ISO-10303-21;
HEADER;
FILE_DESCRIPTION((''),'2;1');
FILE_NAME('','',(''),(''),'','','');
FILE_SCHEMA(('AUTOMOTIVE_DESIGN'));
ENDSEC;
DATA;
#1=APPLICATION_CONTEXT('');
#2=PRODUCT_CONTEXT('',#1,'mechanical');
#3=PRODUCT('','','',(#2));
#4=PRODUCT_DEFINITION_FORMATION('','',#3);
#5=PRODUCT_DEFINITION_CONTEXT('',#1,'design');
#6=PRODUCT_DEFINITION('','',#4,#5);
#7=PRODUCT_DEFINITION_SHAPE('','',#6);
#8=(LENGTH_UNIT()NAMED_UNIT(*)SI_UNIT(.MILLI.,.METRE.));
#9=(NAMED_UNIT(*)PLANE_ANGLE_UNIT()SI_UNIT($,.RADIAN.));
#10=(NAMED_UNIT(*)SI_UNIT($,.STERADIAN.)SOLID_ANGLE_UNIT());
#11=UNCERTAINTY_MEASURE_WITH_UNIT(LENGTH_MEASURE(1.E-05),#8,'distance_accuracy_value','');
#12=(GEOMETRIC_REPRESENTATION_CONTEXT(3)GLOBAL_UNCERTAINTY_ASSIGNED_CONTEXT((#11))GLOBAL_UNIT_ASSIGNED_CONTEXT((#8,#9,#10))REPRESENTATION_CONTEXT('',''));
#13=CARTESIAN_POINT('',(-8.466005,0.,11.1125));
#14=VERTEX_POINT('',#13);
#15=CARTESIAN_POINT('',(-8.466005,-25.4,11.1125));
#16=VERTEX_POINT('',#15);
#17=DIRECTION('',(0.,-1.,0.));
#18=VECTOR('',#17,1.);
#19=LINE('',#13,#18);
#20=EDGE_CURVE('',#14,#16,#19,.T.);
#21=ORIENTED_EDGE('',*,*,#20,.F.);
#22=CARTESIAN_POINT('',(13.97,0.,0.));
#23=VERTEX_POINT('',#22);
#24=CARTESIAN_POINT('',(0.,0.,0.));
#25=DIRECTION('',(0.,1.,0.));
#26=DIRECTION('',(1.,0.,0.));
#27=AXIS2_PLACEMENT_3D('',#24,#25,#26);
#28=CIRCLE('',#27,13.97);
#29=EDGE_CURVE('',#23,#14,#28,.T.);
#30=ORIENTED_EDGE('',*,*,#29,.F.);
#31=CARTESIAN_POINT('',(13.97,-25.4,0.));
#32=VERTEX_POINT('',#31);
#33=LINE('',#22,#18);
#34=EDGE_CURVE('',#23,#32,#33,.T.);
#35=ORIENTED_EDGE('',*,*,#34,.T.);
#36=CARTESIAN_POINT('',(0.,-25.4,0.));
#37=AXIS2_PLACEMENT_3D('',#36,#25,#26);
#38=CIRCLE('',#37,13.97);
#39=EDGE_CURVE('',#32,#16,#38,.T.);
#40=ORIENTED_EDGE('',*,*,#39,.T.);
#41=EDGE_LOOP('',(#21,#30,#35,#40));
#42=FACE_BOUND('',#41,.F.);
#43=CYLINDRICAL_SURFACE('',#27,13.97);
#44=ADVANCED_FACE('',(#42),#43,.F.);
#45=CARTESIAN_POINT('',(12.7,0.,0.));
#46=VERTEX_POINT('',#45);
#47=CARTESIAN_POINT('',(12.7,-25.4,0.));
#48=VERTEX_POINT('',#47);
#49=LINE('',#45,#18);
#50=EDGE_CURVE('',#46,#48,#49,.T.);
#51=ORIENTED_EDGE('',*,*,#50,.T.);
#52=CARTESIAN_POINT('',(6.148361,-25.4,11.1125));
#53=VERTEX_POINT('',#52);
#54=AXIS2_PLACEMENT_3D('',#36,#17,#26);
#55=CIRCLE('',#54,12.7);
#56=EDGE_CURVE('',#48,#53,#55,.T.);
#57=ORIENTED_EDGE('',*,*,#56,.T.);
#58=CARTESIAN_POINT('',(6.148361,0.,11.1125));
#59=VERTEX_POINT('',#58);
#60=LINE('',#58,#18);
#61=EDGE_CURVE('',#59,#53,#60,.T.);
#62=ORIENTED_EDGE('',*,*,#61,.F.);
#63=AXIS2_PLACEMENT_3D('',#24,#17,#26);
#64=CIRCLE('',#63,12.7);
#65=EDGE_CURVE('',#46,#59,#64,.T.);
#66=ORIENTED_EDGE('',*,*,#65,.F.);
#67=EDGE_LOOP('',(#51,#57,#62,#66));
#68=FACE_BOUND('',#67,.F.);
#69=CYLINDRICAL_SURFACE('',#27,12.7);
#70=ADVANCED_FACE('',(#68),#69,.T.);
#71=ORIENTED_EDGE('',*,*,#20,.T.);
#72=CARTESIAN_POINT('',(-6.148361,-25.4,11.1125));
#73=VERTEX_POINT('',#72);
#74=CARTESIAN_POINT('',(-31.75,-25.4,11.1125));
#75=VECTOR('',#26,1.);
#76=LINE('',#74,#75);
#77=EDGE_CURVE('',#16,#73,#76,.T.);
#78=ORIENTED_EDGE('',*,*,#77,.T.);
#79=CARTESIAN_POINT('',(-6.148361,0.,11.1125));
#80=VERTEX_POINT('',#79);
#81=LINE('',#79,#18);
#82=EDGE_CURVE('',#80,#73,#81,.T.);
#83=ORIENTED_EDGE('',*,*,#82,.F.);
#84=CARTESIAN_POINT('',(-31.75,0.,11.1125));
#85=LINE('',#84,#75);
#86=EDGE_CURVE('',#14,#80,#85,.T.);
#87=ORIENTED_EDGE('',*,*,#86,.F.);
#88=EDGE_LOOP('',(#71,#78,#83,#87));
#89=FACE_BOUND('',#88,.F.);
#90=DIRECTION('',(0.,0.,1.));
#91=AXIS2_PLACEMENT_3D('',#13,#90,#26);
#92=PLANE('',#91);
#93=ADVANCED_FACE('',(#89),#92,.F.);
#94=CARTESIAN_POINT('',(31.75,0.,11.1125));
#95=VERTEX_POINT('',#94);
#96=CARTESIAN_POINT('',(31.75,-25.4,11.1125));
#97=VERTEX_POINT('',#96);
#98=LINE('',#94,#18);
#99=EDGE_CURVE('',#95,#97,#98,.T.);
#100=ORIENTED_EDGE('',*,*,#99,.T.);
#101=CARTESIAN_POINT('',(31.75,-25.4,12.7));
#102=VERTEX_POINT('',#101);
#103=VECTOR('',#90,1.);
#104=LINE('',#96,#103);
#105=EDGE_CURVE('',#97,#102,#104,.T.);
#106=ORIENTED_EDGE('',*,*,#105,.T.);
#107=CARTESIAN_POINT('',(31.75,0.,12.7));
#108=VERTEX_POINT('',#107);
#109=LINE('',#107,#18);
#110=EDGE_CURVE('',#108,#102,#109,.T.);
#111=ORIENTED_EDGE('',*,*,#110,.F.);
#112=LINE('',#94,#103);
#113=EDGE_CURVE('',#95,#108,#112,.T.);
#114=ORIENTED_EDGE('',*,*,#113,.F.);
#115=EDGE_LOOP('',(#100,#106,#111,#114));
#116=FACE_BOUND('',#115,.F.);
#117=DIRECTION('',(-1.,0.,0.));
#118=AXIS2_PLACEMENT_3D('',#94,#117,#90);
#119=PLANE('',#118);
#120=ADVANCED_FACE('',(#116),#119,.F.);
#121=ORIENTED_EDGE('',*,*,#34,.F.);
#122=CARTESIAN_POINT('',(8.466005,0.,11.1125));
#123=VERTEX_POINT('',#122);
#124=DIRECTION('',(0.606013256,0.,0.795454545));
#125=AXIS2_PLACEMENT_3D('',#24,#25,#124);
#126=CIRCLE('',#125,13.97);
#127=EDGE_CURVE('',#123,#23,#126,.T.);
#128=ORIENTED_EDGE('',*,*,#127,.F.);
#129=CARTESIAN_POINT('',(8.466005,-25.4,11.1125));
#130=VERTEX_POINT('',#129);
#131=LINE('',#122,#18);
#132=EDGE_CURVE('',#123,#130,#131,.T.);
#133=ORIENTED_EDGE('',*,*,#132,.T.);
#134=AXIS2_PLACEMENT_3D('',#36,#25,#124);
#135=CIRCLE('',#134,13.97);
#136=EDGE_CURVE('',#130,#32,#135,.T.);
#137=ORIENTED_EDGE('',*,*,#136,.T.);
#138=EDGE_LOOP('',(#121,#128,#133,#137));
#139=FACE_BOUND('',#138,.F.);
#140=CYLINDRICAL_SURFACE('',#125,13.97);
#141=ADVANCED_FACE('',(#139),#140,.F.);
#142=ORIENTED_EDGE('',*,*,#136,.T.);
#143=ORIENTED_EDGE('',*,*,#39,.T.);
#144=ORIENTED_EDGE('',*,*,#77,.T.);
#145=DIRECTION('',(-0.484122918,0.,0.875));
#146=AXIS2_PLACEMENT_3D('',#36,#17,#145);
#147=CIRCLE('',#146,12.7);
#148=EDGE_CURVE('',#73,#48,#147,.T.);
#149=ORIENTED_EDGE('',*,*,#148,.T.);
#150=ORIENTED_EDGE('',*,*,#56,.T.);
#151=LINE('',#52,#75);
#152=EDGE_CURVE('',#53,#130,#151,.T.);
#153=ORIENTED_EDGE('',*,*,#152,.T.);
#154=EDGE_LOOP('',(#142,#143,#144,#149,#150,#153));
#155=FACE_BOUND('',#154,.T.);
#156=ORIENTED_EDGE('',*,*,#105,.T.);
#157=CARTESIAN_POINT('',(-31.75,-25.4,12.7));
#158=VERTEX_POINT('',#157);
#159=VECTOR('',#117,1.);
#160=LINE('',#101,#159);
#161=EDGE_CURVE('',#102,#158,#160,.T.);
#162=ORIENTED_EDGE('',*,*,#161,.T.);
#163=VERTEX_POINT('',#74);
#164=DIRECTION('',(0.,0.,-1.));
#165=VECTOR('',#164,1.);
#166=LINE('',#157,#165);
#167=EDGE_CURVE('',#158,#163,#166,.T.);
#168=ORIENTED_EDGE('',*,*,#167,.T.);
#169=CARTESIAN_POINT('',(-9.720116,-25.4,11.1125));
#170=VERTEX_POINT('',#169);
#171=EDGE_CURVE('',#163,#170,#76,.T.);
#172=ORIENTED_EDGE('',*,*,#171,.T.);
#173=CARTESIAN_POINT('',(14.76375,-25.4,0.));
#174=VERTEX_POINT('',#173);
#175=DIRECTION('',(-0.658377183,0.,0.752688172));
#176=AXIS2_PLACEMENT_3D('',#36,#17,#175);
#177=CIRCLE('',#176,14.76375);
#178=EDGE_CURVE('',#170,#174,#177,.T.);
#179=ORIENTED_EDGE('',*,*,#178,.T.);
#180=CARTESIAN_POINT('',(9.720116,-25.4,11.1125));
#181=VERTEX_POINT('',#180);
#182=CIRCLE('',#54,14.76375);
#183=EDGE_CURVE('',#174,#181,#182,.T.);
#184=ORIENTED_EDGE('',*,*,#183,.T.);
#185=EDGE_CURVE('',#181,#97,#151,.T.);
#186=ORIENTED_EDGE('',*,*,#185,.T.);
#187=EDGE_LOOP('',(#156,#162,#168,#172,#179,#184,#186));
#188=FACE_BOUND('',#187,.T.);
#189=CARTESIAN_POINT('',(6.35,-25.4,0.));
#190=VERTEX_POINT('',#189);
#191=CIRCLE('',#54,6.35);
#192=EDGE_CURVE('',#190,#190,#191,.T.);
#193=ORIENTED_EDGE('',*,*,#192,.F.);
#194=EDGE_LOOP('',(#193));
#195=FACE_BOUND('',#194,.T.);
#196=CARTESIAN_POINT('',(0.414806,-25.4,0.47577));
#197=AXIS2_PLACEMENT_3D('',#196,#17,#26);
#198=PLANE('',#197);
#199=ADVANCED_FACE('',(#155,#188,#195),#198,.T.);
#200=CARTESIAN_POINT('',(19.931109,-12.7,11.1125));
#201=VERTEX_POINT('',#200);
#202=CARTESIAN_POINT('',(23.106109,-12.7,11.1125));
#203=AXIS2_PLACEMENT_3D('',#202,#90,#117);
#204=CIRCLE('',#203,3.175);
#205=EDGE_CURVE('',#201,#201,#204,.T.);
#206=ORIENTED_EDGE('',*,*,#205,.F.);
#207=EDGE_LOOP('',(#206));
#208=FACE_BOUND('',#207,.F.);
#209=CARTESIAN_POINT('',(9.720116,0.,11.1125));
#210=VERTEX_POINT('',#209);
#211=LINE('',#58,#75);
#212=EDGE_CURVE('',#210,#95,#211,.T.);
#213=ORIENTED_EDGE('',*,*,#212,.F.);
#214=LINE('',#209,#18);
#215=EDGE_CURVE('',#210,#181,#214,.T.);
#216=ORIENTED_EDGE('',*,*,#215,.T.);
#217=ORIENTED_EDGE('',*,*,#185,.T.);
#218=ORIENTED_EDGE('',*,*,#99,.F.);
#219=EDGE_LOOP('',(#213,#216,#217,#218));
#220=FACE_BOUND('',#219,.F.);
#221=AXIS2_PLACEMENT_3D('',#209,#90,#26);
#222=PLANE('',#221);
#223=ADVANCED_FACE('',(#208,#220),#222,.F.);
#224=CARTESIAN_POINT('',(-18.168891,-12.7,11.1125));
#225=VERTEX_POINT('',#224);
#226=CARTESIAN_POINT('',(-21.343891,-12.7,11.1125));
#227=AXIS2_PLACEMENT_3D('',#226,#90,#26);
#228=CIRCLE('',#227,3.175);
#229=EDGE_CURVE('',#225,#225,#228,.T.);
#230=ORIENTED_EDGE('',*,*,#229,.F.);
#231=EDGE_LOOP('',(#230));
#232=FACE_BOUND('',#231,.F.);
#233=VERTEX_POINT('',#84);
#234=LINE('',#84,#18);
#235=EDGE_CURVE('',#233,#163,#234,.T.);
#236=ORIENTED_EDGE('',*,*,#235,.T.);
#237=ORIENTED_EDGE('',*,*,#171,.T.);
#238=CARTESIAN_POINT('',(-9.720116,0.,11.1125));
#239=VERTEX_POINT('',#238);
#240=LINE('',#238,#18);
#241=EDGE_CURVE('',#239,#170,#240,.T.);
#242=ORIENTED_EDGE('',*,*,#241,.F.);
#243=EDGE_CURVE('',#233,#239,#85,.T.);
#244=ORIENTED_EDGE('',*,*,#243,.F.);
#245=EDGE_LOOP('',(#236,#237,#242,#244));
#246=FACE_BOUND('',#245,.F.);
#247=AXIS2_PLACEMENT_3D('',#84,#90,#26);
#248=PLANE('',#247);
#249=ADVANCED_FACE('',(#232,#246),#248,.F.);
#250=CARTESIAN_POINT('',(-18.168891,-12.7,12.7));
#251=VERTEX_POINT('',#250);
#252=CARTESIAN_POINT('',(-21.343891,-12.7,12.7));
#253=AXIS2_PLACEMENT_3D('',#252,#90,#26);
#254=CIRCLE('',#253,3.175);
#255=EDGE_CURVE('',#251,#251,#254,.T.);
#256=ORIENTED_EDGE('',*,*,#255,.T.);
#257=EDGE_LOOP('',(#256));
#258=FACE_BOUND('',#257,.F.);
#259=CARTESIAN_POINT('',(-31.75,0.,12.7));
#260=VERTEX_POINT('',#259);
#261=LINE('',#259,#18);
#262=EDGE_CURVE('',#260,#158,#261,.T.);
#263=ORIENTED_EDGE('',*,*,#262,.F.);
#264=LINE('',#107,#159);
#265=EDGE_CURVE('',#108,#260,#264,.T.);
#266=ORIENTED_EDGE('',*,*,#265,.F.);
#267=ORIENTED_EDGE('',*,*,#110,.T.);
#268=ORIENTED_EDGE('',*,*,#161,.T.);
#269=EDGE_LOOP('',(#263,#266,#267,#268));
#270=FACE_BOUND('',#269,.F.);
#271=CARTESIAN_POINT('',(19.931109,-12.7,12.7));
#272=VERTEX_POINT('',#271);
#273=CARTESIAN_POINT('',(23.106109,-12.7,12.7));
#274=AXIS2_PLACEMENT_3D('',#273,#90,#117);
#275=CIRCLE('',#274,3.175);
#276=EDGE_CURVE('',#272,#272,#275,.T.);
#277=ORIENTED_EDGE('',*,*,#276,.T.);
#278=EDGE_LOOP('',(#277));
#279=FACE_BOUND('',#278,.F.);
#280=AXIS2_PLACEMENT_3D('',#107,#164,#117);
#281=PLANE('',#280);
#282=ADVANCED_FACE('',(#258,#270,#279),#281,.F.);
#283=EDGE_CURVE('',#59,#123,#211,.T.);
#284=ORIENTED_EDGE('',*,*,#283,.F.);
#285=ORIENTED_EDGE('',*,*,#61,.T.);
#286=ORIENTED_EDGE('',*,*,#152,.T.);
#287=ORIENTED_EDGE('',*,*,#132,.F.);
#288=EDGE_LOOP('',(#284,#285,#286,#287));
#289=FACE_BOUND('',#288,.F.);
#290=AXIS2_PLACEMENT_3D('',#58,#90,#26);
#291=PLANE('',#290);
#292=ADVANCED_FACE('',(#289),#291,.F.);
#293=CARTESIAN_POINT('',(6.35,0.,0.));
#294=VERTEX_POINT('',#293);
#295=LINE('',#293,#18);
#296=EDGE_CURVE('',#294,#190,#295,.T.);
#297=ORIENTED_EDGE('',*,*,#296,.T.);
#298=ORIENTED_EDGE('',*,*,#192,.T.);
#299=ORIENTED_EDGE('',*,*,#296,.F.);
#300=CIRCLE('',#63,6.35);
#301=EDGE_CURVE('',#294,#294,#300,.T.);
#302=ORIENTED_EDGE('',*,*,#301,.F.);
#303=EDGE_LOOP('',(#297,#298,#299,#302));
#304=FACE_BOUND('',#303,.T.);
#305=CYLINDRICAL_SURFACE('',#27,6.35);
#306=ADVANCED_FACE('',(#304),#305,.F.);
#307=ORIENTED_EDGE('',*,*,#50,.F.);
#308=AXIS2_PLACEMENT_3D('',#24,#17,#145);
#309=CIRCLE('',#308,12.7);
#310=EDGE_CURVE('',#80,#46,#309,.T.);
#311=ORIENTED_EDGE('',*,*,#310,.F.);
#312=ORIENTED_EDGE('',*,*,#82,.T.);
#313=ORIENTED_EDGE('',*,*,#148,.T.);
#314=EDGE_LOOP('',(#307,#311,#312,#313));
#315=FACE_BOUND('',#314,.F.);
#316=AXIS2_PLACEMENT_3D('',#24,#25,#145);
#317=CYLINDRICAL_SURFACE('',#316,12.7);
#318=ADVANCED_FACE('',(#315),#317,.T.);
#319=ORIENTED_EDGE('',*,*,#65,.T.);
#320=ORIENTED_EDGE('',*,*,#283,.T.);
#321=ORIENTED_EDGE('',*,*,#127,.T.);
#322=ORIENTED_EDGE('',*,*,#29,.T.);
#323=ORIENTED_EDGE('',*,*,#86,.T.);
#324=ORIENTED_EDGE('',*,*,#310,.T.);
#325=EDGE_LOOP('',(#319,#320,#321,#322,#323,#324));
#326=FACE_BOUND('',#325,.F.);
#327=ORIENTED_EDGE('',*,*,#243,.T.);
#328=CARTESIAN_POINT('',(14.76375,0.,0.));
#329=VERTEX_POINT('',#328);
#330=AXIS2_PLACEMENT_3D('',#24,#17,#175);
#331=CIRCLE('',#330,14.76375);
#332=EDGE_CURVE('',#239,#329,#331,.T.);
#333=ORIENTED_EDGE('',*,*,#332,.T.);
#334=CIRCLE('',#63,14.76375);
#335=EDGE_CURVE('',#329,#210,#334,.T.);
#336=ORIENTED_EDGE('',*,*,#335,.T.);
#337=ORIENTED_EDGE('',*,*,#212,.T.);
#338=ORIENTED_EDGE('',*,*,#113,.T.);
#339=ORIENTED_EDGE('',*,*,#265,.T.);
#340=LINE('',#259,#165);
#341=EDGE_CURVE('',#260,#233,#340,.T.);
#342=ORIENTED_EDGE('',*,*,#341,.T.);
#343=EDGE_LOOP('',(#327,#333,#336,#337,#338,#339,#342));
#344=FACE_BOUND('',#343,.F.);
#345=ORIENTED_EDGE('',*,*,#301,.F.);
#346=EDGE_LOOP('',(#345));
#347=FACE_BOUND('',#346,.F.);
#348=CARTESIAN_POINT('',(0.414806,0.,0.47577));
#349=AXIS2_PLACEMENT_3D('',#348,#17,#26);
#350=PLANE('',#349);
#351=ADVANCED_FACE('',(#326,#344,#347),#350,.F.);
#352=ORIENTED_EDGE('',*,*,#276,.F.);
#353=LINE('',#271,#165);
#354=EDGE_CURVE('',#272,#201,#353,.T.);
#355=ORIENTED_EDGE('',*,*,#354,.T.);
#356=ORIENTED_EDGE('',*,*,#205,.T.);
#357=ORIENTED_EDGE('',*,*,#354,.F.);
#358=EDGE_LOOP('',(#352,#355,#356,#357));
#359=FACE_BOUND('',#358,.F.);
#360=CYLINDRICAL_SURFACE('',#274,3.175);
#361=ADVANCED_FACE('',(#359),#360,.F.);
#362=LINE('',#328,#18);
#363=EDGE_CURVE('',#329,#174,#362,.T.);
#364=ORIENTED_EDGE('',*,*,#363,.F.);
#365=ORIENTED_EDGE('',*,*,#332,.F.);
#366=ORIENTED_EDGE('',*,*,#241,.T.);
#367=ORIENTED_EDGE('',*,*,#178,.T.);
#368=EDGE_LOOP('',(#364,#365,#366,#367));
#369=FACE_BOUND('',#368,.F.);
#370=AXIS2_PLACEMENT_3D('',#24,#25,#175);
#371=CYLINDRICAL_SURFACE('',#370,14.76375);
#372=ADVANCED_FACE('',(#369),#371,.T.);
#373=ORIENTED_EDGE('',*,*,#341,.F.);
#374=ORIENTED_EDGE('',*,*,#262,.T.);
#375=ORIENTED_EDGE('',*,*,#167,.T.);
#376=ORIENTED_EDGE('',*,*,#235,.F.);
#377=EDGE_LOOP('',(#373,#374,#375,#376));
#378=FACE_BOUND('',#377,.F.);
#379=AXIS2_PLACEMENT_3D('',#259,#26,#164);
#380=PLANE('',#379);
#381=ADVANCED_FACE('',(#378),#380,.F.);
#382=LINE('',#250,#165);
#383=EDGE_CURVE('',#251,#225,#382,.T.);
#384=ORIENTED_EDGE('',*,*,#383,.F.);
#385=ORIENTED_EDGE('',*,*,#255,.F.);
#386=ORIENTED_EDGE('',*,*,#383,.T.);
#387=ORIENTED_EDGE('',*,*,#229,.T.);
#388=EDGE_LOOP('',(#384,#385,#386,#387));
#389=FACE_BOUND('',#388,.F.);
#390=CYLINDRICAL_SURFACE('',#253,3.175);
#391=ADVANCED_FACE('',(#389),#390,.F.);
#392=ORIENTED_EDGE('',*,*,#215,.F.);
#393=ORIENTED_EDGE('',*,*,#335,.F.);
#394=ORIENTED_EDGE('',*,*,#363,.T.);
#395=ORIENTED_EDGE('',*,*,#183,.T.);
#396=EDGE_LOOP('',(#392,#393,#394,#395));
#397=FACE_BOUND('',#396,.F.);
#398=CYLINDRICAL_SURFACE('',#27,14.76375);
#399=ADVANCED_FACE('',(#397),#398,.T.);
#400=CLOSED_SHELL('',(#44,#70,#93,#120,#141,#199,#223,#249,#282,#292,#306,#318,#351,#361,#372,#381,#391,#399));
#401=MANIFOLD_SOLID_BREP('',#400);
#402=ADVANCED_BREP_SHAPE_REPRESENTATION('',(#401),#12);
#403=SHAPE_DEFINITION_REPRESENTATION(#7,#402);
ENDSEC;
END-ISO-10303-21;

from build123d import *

# Parameters (mm, degrees)
F0_R     = 6.35
F1_DEPTH = 25.4
F3_DEPTH = 25.4


with BuildPart() as f1:
    # F0 (on Front) → F1 (new body)
    with BuildSketch(Plane.XZ):
        with BuildLine():
            ThreePointArc((-6.1483610621, 11.1125), (-6.4500315701, -10.9401596307), (12.7, 0))
            ThreePointArc((12.7, 0), (10.9401596307, 6.4500315701), (6.1483610621, 11.1125))
            Line((6.1483610621, 11.1125), (-6.1483610621, 11.1125))
        make_face()
        Circle(F0_R, mode=Mode.SUBTRACT)
        with BuildLine():
            ThreePointArc((7.5285001204, 12.7), (8.6607580386, 11.9565707567), (9.7201161419, 11.1125))
            Line((9.7201161419, 11.1125), (31.75, 11.1125))
            Line((31.75, 11.1125), (31.75, 12.7))
            Line((31.75, 12.7), (7.5285001204, 12.7))
        make_face()
        with BuildLine():
            Line((-31.75, 11.1125), (-9.7201161419, 11.1125))
            ThreePointArc((-9.7201161419, 11.1125), (-8.6607580386, 11.9565707567), (-7.5285001204, 12.7))
            Line((-7.5285001204, 12.7), (-31.75, 12.7))
            Line((-31.75, 12.7), (-31.75, 11.1125))
        make_face()
        with BuildLine():
            ThreePointArc((0, 12.7), (3.175, 12.2967221242), (6.1483610621, 11.1125))
            Line((6.1483610621, 11.1125), (8.4660051825, 11.1125))
            ThreePointArc((8.4660051825, 11.1125), (7.1869050769, 11.9795365276), (5.8198711326, 12.7))
            Line((5.8198711326, 12.7), (0, 12.7))
        make_face()
        with BuildLine():
            Line((-6.1483610621, 11.1125), (6.1483610621, 11.1125))
            ThreePointArc((6.1483610621, 11.1125), (3.175, 12.2967221242), (0, 12.7))
            ThreePointArc((0, 12.7), (-3.175, 12.2967221242), (-6.1483610621, 11.1125))
        make_face()
        with BuildLine():
            Line((-8.4660051825, 11.1125), (-6.1483610621, 11.1125))
            ThreePointArc((-6.1483610621, 11.1125), (-3.175, 12.2967221242), (0, 12.7))
            Line((0, 12.7), (-5.8198711326, 12.7))
            ThreePointArc((-5.8198711326, 12.7), (-7.1869050769, 11.9795365276), (-8.4660051825, 11.1125))
        make_face()
        with BuildLine():
            Line((-9.7201161419, 11.1125), (-8.4660051825, 11.1125))
            ThreePointArc((-8.4660051825, 11.1125), (-7.1869050769, 11.9795365276), (-5.8198711326, 12.7))
            Line((-5.8198711326, 12.7), (-7.5285001204, 12.7))
            ThreePointArc((-7.5285001204, 12.7), (-8.6607580386, 11.9565707567), (-9.7201161419, 11.1125))
        make_face()
        with BuildLine():
            ThreePointArc((5.8198711326, 12.7), (7.1869050769, 11.9795365276), (8.4660051825, 11.1125))
            Line((8.4660051825, 11.1125), (9.7201161419, 11.1125))
            ThreePointArc((9.7201161419, 11.1125), (8.6607580386, 11.9565707567), (7.5285001204, 12.7))
            Line((7.5285001204, 12.7), (5.8198711326, 12.7))
        make_face()
        with BuildLine():
            Line((9.7201161419, 11.1125), (8.4660051825, 11.1125))
            ThreePointArc((8.4660051825, 11.1125), (12.5186060007, 6.200435775), (13.97, 0))
            ThreePointArc((13.97, 0), (-6.200435775, -12.5186060007), (-8.4660051825, 11.1125))
            Line((-8.4660051825, 11.1125), (-9.7201161419, 11.1125))
            ThreePointArc((-9.7201161419, 11.1125), (-6.1017599663, -13.443840202), (14.76375, 0))
            ThreePointArc((14.76375, 0), (13.443840202, 6.1017599663), (9.7201161419, 11.1125))
        make_face()
    extrude(amount=F1_DEPTH)

    # F2 (on face) → F3 (cut)
    with BuildSketch(Plane.XY.offset(12.7)):
        with BuildLine():
            ThreePointArc((-24.5188905776, -12.7), (-21.3438905776, -15.875), (-18.1688905776, -12.7))
            Line((-18.1688905776, -12.7), (-24.5188905776, -12.7))
        make_face()
        with BuildLine():
            Line((-24.5188905776, -12.7), (-18.1688905776, -12.7))
            ThreePointArc((-18.1688905776, -12.7), (-21.3438905776, -9.525), (-24.5188905776, -12.7))
        make_face()
        with BuildLine():
            Line((19.9311094224, -12.7), (26.2811094224, -12.7))
            ThreePointArc((26.2811094224, -12.7), (23.1061094224, -9.525), (19.9311094224, -12.7))
        make_face()
        with BuildLine():
            ThreePointArc((19.9311094224, -12.7), (23.1061094224, -15.875), (26.2811094224, -12.7))
            Line((26.2811094224, -12.7), (19.9311094224, -12.7))
        make_face()
    extrude(amount=-F3_DEPTH, mode=Mode.SUBTRACT)


solid = f1.part
